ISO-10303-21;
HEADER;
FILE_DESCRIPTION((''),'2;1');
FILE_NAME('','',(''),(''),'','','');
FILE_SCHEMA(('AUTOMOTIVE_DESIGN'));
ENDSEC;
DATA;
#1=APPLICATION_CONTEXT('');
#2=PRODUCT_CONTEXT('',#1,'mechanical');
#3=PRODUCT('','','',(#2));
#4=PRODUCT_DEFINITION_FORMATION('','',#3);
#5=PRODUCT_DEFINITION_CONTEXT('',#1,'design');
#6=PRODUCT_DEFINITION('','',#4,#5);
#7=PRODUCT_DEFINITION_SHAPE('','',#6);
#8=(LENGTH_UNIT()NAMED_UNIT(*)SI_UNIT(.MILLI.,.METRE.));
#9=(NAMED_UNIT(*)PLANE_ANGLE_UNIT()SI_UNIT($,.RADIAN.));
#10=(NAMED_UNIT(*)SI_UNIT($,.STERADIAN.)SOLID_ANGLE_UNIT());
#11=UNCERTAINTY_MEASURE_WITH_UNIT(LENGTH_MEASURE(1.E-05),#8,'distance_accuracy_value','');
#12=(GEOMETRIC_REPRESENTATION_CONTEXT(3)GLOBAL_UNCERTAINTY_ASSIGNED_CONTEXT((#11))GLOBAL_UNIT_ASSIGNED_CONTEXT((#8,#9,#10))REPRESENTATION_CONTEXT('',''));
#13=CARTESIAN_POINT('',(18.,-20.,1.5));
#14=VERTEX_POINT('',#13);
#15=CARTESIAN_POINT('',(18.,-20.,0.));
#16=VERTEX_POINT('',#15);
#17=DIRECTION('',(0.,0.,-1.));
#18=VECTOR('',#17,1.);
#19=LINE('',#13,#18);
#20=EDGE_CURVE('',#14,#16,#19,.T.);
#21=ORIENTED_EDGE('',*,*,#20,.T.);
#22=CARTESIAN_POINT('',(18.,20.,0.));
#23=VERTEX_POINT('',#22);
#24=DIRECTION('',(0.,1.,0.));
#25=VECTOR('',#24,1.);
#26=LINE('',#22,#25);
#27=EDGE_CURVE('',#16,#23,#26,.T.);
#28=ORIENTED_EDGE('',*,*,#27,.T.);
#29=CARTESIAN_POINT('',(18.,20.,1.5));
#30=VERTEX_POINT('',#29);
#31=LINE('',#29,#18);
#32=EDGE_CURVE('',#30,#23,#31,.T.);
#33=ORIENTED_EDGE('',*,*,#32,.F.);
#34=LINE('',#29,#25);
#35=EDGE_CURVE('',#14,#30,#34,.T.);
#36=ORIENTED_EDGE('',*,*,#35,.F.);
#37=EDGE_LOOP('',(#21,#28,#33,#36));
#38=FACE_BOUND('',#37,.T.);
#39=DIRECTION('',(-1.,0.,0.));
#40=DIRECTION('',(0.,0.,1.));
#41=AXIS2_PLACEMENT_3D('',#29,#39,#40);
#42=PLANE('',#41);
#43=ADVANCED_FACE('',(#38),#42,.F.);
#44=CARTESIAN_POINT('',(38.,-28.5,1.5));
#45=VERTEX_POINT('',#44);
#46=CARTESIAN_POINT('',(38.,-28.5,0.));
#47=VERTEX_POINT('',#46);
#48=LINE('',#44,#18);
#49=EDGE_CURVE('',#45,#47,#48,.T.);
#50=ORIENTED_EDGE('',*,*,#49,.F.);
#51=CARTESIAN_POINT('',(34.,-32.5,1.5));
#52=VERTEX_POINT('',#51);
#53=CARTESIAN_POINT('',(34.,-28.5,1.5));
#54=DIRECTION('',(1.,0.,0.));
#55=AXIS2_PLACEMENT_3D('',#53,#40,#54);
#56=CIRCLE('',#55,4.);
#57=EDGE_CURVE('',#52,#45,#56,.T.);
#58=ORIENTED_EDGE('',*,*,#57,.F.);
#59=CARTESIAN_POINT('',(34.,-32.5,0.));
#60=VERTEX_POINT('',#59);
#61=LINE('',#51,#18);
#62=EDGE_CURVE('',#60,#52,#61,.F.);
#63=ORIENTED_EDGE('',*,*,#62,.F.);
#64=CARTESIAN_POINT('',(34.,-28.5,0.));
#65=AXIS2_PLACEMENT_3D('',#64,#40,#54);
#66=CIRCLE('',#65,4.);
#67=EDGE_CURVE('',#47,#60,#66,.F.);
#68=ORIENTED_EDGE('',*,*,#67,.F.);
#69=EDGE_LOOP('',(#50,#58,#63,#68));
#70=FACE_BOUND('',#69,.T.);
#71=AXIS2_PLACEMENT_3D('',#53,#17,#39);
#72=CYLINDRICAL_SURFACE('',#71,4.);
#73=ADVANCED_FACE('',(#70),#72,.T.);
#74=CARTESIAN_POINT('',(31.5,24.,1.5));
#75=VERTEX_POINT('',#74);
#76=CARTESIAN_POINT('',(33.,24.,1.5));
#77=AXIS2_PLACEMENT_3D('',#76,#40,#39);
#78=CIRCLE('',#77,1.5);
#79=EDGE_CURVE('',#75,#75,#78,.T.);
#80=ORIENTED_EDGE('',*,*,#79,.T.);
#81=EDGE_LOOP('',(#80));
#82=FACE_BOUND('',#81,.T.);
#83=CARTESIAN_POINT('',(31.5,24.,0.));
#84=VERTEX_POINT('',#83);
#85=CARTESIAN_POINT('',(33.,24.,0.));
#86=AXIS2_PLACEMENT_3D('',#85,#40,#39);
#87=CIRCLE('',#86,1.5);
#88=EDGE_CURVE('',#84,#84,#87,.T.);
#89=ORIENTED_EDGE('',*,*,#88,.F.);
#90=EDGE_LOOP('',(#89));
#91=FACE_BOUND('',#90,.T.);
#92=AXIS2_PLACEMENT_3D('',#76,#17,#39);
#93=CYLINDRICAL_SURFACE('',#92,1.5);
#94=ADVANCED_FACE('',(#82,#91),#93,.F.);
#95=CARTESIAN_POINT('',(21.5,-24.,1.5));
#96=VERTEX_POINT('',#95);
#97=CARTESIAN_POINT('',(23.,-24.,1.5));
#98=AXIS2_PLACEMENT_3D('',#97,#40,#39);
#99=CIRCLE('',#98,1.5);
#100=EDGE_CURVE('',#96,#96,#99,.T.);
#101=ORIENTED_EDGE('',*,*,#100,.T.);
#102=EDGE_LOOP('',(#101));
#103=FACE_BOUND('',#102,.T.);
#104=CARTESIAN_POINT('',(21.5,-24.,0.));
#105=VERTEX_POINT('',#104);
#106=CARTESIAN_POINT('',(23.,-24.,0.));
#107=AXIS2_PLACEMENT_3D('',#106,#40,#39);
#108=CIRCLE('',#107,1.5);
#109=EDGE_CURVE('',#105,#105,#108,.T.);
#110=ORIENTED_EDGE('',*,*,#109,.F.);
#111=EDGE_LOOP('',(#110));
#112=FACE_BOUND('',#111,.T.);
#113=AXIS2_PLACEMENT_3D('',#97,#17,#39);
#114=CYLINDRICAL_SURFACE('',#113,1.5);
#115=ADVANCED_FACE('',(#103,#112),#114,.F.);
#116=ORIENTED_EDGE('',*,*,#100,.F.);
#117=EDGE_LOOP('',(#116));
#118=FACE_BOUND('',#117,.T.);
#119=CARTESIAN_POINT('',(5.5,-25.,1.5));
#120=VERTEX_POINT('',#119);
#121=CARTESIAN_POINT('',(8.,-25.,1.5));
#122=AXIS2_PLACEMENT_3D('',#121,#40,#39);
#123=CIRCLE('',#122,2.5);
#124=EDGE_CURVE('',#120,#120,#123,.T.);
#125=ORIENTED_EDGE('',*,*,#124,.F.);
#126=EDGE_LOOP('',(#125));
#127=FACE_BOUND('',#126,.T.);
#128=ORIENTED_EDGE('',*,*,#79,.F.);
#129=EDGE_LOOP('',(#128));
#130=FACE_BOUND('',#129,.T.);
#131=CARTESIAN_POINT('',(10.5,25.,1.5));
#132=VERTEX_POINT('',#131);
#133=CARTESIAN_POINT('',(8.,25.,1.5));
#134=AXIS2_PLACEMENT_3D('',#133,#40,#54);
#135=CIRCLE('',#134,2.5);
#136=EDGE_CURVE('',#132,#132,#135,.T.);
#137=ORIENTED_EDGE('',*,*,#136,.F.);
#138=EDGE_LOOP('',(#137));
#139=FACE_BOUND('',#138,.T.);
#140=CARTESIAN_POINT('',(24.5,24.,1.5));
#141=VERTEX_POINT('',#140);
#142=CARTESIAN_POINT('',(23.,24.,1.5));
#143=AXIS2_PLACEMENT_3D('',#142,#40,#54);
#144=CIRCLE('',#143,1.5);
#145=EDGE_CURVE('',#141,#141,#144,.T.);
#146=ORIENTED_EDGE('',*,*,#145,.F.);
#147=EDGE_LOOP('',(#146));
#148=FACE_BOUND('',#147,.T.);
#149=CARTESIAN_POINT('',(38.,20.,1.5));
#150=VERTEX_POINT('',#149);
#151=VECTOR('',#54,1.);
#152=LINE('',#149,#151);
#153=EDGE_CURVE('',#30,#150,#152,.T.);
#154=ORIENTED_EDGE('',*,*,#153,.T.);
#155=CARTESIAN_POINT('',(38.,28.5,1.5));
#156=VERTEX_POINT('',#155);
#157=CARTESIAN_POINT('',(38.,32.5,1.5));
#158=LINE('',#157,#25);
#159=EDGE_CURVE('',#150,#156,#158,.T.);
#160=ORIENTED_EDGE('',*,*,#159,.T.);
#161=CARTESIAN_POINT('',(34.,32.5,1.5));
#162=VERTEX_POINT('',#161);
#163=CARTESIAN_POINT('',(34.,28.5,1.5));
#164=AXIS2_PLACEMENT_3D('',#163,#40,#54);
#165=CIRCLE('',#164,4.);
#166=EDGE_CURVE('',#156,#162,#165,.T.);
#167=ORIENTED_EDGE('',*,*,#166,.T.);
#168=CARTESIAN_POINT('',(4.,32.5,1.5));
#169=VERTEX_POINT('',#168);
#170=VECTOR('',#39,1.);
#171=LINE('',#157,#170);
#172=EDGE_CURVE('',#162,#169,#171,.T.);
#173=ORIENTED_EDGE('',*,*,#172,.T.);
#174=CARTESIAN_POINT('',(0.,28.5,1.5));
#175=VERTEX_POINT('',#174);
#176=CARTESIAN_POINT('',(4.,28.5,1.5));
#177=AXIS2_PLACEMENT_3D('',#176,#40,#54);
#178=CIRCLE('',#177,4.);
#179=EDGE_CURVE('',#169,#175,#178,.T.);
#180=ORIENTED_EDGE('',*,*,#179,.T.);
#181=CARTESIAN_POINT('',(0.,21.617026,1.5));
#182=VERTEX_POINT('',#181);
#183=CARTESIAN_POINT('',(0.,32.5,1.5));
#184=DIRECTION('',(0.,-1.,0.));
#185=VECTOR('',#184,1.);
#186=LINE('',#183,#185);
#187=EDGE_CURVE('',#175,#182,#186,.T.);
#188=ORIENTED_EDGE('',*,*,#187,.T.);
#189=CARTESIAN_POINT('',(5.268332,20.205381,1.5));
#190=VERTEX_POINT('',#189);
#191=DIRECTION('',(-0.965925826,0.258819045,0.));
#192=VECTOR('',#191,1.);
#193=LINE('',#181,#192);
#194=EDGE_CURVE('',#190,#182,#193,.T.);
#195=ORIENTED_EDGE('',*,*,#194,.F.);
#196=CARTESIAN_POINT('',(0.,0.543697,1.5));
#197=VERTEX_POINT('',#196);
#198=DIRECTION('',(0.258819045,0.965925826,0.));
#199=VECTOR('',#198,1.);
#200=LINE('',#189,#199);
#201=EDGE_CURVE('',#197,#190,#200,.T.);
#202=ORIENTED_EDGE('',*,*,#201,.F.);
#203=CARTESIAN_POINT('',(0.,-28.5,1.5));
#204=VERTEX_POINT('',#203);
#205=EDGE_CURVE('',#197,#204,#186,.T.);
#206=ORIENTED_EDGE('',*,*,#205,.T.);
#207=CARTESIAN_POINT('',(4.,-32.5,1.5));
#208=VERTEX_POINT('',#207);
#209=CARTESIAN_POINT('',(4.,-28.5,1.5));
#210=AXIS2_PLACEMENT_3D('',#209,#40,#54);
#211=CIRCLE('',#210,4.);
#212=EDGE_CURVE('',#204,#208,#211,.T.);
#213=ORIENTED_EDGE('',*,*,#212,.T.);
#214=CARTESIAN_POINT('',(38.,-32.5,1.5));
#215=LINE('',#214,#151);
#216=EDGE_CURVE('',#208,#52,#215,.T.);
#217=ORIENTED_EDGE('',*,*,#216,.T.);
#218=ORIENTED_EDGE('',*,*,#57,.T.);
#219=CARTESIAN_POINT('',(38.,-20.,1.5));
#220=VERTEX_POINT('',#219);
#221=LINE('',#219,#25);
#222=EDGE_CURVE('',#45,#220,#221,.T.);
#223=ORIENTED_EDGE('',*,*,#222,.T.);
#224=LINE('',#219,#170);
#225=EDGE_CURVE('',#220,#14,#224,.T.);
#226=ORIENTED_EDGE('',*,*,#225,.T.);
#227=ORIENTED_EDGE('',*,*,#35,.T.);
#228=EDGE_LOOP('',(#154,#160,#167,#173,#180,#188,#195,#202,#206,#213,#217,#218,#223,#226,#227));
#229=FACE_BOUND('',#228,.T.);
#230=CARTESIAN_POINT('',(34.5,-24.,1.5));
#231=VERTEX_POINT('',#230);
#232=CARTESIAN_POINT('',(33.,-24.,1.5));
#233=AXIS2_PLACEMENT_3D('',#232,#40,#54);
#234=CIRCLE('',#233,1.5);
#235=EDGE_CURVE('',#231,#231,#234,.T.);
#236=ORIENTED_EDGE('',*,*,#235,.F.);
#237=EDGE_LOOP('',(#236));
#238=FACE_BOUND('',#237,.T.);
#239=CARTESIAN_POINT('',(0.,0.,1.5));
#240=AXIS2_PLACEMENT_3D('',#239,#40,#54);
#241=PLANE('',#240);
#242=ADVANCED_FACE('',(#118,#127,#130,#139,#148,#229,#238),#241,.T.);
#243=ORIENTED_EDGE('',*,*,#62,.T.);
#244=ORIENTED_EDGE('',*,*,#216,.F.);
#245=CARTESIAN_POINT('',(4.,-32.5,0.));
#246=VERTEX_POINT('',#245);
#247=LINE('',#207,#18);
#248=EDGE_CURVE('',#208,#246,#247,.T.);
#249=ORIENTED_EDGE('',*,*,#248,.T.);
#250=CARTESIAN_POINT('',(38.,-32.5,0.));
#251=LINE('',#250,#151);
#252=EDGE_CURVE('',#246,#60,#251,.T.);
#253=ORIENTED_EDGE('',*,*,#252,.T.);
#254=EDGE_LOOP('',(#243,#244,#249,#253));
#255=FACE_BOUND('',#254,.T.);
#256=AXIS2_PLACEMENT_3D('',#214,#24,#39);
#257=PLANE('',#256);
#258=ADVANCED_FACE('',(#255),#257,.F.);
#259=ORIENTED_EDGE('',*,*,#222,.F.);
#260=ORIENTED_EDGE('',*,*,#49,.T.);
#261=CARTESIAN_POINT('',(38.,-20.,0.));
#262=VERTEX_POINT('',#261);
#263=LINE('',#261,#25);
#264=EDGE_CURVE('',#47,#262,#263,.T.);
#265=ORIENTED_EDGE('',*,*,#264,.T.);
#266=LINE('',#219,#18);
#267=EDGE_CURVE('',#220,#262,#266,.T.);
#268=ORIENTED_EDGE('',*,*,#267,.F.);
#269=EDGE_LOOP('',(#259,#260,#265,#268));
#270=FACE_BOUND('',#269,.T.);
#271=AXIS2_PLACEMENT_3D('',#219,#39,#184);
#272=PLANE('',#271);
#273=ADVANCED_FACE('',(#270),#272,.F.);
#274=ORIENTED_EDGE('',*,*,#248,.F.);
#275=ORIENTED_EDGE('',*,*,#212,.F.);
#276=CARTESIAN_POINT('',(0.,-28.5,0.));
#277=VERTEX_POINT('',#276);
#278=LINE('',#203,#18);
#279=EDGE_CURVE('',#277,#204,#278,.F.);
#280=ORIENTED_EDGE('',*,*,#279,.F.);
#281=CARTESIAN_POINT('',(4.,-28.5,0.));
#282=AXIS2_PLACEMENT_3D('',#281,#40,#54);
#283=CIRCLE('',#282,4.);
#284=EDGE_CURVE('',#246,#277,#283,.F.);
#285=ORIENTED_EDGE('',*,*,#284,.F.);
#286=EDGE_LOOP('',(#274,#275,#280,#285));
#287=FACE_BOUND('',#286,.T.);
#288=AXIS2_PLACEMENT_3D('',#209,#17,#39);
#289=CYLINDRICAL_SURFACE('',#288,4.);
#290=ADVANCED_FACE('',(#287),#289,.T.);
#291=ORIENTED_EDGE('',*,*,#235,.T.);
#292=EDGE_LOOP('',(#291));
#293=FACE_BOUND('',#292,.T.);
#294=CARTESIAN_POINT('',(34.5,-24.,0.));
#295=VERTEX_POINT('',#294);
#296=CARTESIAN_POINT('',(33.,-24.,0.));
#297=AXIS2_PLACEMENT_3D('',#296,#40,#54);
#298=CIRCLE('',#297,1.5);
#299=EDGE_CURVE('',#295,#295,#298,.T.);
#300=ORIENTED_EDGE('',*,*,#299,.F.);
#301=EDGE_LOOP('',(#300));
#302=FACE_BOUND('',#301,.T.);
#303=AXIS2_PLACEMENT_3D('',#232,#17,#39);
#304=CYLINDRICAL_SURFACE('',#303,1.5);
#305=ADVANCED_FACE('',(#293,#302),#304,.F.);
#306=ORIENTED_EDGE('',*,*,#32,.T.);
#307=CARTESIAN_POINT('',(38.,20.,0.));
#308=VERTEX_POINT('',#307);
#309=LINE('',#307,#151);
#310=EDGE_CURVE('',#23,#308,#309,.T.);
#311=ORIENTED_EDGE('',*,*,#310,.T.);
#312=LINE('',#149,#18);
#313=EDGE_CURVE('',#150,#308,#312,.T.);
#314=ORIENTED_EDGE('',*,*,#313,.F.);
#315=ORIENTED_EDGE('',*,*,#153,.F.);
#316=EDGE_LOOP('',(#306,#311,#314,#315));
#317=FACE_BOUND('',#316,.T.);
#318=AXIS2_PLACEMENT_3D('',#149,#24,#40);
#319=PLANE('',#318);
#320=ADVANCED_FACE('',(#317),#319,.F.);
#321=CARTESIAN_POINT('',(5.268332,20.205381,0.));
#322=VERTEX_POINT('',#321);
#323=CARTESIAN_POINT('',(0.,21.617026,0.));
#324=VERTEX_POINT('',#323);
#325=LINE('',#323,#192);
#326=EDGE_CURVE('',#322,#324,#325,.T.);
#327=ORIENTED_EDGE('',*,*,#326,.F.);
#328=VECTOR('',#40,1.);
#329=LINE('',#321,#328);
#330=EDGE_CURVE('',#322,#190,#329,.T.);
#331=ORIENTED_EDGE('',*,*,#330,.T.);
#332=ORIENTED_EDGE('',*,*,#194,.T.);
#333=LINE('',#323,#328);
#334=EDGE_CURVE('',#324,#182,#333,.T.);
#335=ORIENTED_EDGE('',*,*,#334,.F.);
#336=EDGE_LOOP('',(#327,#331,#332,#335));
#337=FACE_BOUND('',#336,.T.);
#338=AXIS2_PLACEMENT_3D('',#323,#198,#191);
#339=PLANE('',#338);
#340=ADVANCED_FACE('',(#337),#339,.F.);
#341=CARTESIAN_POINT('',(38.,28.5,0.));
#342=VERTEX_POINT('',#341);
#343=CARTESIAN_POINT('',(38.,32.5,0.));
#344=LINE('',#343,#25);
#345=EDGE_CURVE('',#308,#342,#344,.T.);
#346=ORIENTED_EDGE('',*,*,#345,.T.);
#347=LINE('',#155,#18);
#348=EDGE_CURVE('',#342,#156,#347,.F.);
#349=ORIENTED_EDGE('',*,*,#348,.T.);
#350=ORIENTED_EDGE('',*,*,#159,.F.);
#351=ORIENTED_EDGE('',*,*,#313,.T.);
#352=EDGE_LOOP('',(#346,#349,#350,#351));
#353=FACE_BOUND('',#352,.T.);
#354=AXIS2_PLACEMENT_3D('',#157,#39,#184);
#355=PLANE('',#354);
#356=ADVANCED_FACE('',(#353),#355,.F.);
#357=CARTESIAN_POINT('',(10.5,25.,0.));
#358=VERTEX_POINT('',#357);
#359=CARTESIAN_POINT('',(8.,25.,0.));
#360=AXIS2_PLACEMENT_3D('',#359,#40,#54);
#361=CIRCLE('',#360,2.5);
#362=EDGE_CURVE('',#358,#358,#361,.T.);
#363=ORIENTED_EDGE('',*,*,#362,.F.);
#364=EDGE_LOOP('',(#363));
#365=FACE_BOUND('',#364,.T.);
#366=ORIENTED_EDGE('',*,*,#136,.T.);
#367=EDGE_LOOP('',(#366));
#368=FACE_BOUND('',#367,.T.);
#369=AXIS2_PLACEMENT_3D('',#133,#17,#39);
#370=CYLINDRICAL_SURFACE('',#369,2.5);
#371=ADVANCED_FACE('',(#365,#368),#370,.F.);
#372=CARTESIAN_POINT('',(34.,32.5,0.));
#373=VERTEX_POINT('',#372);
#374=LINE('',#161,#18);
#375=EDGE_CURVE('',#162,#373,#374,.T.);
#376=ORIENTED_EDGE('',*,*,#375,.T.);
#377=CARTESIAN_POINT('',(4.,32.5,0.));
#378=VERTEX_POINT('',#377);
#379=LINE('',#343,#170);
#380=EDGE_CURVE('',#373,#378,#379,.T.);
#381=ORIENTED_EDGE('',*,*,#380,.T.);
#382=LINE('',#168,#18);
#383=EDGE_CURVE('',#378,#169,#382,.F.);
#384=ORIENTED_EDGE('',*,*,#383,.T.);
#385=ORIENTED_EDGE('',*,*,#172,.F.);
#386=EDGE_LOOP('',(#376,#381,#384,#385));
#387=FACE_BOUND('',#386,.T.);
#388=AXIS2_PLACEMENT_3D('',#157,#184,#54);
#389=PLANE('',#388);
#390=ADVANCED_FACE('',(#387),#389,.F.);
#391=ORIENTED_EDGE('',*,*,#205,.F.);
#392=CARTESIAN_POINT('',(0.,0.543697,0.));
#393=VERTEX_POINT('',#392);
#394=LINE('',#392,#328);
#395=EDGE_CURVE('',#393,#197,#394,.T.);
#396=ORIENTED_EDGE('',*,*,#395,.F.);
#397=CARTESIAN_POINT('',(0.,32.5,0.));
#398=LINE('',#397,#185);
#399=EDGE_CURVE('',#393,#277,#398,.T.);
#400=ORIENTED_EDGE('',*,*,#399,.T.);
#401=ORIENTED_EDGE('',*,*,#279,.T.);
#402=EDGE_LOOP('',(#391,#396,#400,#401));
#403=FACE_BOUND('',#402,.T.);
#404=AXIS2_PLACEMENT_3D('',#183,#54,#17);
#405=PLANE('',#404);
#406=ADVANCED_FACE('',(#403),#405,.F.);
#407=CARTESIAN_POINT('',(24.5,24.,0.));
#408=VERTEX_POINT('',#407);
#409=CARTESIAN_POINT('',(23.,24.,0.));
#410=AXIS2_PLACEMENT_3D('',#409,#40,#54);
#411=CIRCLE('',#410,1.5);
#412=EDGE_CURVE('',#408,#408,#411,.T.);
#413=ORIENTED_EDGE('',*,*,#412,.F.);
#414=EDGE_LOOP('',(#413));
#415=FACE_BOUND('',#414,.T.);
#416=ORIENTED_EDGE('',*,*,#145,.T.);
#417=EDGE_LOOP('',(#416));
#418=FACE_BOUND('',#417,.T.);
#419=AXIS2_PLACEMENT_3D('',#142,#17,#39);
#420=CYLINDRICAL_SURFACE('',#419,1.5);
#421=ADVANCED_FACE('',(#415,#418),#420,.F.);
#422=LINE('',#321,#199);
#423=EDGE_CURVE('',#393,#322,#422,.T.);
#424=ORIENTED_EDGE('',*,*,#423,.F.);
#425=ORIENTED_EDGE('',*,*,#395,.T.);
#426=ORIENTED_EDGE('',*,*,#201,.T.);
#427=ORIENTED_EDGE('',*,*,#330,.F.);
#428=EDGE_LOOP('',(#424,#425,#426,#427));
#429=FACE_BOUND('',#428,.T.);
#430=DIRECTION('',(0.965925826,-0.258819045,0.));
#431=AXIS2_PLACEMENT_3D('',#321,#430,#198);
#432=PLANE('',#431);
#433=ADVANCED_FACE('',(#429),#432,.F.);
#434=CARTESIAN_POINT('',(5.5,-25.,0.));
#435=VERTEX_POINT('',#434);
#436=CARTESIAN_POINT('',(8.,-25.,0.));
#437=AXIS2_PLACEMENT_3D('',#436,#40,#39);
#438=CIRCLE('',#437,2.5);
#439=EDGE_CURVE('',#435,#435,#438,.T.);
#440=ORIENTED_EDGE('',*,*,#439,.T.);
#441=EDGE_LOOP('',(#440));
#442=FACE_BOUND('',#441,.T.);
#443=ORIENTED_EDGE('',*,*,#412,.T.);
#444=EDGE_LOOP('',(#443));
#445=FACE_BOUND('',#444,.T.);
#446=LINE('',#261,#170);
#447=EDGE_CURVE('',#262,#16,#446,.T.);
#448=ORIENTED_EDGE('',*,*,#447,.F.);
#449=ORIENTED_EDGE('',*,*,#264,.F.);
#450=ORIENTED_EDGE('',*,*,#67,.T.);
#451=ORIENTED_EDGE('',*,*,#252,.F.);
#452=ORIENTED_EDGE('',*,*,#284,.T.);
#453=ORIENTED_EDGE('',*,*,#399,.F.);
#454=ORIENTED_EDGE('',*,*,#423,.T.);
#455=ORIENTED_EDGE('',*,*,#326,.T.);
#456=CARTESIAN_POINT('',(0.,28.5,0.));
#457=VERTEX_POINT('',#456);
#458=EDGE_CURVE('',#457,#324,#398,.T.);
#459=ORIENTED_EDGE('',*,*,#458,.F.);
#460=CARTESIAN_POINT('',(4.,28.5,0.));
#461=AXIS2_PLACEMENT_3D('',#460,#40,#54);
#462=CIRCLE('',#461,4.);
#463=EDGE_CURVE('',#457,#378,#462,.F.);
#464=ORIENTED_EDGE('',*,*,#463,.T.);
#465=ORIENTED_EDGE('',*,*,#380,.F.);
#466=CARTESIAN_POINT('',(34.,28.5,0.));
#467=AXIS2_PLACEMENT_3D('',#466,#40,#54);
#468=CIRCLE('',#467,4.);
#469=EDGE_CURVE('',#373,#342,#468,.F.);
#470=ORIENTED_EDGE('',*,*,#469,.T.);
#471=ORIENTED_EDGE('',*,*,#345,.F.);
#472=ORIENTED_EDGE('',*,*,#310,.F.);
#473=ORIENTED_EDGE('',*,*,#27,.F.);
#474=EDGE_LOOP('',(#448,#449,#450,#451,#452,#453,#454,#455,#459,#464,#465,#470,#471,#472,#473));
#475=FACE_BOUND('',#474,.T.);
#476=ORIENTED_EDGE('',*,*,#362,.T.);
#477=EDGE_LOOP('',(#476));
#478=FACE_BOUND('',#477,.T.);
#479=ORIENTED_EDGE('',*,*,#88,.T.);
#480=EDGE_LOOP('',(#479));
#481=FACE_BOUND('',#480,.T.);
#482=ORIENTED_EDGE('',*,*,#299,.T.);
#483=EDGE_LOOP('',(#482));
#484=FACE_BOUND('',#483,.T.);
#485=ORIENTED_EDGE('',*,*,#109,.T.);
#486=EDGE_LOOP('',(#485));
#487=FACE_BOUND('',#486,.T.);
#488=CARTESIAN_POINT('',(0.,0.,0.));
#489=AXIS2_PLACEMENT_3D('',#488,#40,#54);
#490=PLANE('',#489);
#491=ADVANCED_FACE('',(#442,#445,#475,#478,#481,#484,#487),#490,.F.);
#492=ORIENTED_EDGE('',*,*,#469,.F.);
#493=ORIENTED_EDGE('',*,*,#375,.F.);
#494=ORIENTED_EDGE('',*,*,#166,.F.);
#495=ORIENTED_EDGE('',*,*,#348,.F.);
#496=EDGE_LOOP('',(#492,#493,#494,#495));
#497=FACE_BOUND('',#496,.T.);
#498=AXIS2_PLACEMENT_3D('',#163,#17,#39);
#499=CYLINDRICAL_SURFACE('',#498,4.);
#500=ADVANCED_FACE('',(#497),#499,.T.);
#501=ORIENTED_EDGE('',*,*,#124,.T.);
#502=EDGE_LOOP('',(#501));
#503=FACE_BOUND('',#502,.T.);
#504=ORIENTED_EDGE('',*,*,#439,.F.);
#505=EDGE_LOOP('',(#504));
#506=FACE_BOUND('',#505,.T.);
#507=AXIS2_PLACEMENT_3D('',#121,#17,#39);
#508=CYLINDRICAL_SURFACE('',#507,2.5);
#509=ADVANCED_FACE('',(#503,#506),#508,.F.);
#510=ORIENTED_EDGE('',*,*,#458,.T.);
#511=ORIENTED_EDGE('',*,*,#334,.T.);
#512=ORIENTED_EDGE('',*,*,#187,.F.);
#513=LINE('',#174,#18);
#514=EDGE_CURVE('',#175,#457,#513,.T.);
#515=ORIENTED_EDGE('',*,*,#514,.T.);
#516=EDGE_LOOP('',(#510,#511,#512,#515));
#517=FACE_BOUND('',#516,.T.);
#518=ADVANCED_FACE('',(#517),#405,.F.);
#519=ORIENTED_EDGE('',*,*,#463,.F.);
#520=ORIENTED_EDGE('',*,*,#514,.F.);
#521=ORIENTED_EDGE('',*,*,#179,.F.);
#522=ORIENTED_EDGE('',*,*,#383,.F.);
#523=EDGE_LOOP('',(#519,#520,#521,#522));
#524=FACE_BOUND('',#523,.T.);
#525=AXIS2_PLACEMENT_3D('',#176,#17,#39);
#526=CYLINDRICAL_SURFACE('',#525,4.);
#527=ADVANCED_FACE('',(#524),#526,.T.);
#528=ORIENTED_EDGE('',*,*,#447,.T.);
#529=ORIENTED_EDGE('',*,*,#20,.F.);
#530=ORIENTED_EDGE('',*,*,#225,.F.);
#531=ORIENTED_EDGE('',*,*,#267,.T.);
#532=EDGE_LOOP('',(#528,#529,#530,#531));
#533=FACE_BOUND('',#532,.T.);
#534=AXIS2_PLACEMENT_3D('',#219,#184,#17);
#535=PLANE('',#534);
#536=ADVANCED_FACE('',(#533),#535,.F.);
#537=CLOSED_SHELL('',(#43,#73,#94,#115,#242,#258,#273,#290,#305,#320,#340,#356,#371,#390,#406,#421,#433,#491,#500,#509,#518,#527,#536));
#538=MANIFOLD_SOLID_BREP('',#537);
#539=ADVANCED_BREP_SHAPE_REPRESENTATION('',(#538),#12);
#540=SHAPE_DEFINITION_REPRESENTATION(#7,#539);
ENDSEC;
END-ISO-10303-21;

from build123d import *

# Parameters (mm, degrees)
ESQUISSE1_R             = 2.5
ESQUISSE1_R_2           = 1.5
BOSS_EXTRU_1_DEPTH      = 1.5
CONG_1_R                = 4
ENL_V_MAT_EXTRU_1_DEPTH = 51.024993753


with BuildPart() as part:
    # Esquisse1 → Boss.-Extru.1 (new body)
    with BuildSketch(Plane.XY):
        Polygon((38, -20), (38, -32.5), (0, -32.5), (0, 32.5), (38, 32.5), (38, 20), (18, 20), (18, -20), align=None)
        with Locations((8, 25)):
            Circle(ESQUISSE1_R, mode=Mode.SUBTRACT)
        with Locations((23, 24)):
            Circle(ESQUISSE1_R_2, mode=Mode.SUBTRACT)
        with Locations(Location((33, 24, 0), (0, 0, 180))):
            Circle(ESQUISSE1_R_2, mode=Mode.SUBTRACT)
        with Locations((33, -24)):
            Circle(ESQUISSE1_R_2, mode=Mode.SUBTRACT)
        with Locations(Location((23, -24, 0), (0, 0, 180))):
            Circle(ESQUISSE1_R_2, mode=Mode.SUBTRACT)
        with Locations(Location((8, -25, 0), (0, 0, 180))):
            Circle(ESQUISSE1_R, mode=Mode.SUBTRACT)
    extrude(amount=BOSS_EXTRU_1_DEPTH)

    # Congé1
    cong_1_edges = [part.edges().sort_by_distance(p)[0] for p in [
        (38, -32.5, 0.75),
        (0, -32.5, 0.75),
        (0, 32.5, 0.75),
        (38, 32.5, 0.75),
    ]]
    fillet(cong_1_edges, radius=CONG_1_R)

    # Esquisse2 → Enlèv. mat.-Extru.1 (cut, through all)
    with BuildSketch(Plane.XY.offset(1.5)):
        Polygon((0, 21.617026009), (5.268332191, 20.205380653), (0, 0.543697246), align=None)
    extrude(amount=-ENL_V_MAT_EXTRU_1_DEPTH, mode=Mode.SUBTRACT)


solid = part.part
